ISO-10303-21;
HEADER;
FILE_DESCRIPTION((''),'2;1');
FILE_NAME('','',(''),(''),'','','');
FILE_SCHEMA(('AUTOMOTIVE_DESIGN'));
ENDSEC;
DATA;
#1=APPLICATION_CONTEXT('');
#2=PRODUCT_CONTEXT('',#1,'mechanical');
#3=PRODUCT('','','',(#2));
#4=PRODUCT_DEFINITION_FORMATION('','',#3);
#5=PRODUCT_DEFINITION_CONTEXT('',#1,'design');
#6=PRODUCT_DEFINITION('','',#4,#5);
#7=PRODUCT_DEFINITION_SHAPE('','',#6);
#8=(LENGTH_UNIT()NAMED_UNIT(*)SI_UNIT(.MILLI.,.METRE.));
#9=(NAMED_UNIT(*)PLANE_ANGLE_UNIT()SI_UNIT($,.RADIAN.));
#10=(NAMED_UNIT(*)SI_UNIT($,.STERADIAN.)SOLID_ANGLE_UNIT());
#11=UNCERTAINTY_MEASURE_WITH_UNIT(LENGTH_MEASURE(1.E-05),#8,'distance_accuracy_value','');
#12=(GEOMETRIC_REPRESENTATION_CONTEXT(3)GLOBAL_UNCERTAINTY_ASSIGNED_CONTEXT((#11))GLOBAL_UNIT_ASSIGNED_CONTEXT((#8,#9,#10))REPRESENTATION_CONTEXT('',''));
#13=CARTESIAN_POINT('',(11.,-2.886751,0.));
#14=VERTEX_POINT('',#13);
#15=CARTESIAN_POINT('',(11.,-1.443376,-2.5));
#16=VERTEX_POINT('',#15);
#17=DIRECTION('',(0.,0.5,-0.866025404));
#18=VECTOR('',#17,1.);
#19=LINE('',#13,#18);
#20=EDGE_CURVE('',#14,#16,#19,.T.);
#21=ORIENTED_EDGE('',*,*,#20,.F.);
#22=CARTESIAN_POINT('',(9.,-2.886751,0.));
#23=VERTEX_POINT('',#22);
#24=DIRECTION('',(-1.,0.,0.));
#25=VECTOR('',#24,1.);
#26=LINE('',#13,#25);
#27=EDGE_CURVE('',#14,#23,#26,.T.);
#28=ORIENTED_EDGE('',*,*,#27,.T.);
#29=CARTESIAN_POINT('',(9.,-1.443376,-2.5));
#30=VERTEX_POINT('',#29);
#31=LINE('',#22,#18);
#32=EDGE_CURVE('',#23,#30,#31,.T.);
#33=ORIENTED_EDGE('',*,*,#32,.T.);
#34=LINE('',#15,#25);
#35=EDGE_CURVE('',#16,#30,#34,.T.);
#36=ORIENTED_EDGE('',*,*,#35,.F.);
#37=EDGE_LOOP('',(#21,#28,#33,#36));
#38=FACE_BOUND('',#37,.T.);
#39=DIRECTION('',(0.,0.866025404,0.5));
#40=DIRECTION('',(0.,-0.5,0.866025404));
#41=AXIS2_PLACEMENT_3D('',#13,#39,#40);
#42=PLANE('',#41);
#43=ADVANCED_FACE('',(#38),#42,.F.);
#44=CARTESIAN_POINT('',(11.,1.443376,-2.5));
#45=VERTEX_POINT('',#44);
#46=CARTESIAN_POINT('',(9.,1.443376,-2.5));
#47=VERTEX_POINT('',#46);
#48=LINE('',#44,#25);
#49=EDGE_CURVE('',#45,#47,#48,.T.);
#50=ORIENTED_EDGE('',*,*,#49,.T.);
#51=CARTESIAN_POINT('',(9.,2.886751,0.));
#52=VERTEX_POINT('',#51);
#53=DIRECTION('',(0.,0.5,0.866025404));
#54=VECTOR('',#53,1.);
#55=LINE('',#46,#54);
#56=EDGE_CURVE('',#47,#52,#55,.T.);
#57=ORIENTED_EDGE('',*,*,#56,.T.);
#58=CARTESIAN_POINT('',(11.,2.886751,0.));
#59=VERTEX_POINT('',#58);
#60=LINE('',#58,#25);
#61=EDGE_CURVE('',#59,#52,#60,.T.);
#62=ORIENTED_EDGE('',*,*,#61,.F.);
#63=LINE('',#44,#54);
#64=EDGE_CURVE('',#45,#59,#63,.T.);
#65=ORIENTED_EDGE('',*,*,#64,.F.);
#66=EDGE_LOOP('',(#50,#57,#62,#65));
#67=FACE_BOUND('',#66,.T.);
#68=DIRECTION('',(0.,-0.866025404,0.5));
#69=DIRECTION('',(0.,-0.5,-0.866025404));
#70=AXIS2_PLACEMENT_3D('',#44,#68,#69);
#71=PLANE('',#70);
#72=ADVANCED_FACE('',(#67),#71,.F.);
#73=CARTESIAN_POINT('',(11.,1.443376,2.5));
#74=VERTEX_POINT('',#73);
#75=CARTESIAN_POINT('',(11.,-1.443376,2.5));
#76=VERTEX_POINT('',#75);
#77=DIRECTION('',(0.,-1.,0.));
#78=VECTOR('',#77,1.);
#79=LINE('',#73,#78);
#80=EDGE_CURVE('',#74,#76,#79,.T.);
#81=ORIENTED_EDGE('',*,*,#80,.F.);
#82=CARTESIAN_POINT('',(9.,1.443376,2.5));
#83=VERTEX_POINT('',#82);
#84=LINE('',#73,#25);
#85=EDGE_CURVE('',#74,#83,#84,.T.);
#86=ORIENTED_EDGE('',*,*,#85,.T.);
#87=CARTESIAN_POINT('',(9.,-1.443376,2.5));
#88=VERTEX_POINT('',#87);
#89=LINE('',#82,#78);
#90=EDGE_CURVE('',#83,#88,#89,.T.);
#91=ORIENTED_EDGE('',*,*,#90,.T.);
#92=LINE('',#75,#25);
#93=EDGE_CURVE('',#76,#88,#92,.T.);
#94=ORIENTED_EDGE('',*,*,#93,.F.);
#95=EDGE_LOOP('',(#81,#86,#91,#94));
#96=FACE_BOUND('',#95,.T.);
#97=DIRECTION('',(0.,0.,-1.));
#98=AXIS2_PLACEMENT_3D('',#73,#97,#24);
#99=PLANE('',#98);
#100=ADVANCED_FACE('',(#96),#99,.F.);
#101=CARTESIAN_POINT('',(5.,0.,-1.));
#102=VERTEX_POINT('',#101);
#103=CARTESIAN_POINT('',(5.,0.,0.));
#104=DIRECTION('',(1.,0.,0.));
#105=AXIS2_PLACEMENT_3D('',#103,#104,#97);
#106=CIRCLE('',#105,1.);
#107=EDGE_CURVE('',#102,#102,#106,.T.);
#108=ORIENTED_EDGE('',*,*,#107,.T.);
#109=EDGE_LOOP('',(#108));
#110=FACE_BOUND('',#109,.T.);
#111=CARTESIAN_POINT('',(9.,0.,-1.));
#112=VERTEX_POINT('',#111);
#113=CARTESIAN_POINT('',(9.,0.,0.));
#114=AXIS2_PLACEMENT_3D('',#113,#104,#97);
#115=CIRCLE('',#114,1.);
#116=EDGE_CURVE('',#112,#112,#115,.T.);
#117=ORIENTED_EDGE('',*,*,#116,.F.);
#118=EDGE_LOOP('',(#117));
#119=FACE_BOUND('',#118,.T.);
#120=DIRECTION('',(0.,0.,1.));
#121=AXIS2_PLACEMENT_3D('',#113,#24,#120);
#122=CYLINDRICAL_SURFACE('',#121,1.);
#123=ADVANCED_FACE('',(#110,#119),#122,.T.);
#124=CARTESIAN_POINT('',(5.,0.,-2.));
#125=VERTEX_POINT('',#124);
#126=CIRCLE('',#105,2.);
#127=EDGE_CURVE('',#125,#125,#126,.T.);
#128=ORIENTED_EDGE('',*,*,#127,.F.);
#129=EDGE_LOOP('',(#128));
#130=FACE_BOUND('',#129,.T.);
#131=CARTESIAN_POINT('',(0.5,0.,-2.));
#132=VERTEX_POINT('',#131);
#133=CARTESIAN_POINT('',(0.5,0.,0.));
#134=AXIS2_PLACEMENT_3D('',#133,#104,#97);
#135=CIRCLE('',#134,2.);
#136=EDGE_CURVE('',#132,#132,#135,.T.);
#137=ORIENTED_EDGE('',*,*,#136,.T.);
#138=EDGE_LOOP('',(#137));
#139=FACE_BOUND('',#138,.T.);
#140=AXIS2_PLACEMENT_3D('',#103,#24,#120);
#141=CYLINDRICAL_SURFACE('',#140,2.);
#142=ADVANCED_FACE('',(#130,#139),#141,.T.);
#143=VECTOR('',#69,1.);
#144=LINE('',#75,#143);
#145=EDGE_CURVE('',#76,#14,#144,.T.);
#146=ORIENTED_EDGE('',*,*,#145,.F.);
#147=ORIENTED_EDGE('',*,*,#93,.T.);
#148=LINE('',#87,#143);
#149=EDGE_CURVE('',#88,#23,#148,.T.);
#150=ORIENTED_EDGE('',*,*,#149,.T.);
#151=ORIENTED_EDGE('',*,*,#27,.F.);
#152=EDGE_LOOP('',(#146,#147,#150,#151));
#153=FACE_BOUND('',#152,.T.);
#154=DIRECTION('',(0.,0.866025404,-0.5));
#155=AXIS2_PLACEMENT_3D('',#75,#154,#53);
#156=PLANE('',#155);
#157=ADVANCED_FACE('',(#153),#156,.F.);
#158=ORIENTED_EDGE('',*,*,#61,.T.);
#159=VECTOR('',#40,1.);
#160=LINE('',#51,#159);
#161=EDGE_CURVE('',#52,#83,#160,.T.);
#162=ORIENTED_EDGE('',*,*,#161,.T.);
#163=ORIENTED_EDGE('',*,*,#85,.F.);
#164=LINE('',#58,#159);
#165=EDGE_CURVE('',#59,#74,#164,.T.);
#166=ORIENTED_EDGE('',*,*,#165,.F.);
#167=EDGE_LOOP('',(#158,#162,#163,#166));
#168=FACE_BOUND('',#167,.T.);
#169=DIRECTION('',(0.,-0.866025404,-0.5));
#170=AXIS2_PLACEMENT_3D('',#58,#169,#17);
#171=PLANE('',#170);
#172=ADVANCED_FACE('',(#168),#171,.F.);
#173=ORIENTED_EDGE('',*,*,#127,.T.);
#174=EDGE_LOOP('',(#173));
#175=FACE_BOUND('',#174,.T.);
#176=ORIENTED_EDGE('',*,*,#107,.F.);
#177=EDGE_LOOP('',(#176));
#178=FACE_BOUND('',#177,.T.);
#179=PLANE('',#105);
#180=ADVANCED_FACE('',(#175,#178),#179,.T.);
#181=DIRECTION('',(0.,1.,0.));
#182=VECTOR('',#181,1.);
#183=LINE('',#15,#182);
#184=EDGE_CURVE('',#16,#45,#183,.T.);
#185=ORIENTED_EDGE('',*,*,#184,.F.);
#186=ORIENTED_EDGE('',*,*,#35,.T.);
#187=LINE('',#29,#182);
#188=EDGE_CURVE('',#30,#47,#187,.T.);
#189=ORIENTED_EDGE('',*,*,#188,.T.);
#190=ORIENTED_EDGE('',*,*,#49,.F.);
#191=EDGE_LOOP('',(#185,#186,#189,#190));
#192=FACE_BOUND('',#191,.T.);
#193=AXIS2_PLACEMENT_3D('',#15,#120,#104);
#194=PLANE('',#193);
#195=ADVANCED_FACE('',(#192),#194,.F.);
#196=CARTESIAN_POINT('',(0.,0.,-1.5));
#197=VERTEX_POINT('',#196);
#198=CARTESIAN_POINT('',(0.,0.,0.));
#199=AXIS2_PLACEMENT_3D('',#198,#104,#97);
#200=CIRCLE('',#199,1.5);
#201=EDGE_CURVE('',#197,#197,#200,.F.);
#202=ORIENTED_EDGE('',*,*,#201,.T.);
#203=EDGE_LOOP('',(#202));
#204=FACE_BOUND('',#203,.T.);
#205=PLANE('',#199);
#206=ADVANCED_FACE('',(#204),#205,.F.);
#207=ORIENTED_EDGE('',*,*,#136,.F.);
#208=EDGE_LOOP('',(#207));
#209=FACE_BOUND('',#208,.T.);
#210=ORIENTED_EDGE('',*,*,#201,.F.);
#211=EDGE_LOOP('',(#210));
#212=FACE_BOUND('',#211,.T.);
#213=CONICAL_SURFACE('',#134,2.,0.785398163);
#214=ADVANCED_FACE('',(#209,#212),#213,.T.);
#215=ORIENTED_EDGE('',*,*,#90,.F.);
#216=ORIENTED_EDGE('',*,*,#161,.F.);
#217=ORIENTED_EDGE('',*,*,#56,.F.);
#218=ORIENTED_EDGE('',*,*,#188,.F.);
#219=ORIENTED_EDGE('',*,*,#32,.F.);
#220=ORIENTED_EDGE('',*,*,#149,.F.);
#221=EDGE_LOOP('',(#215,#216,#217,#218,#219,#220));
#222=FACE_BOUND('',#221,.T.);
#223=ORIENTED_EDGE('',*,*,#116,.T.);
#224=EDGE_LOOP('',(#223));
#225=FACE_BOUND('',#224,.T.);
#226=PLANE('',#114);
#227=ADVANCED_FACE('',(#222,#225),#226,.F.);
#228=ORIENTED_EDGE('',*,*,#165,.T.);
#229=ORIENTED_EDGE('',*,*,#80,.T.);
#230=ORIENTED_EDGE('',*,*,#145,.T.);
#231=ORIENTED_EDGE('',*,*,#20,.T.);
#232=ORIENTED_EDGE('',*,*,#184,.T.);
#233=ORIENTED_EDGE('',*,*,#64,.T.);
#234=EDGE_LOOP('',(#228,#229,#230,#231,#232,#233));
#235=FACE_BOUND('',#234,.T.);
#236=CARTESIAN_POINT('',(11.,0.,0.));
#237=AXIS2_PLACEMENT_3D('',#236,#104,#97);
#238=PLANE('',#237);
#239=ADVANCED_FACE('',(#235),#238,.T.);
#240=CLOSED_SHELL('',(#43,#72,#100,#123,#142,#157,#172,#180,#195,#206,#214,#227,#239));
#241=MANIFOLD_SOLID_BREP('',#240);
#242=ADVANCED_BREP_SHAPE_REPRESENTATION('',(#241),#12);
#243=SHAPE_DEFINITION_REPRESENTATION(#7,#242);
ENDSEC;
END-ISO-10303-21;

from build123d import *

# Parameters (mm, degrees)
SKETCH1_R           = 2
BOSS_EXTRUDE1_DEPTH = 5
SKETCH3_R           = 1
BOSS_EXTRUDE2_DEPTH = 4
BOSS_EXTRUDE3_DEPTH = 2
CHAMFER1_SIZE       = 0.5


with BuildPart() as part:
    # Sketch1 → Boss-Extrude1 (new body)
    with BuildSketch(Plane(origin=(0, 0, 0), x_dir=(0, 0, -1), z_dir=(1, 0, 0))):
        Circle(SKETCH1_R)
    extrude(amount=BOSS_EXTRUDE1_DEPTH)

    # Sketch3 → Boss-Extrude2 (add)
    with BuildSketch(Plane(origin=(5, 0, 0), x_dir=(0, 0, -1), z_dir=(1, 0, 0))):
        Circle(SKETCH3_R)
    extrude(amount=BOSS_EXTRUDE2_DEPTH)

    # Sketch4 → Boss-Extrude3 (add)
    with BuildSketch(Plane(origin=(9, 0, 0), x_dir=(0, 0, -1), z_dir=(1, 0, 0))):
        Polygon((0, -2.886751346), (2.5, -1.443375673), (2.5, 1.443375673), (0, 2.886751346), (-2.5, 1.443375673), (-2.5, -1.443375673), align=None)
    extrude(amount=BOSS_EXTRUDE3_DEPTH)

    # Chamfer1
    chamfer1_edges = [part.edges().sort_by_distance(p)[0] for p in [
        (0, 0, 2),
    ]]
    chamfer(chamfer1_edges, length=CHAMFER1_SIZE)


solid = part.part
